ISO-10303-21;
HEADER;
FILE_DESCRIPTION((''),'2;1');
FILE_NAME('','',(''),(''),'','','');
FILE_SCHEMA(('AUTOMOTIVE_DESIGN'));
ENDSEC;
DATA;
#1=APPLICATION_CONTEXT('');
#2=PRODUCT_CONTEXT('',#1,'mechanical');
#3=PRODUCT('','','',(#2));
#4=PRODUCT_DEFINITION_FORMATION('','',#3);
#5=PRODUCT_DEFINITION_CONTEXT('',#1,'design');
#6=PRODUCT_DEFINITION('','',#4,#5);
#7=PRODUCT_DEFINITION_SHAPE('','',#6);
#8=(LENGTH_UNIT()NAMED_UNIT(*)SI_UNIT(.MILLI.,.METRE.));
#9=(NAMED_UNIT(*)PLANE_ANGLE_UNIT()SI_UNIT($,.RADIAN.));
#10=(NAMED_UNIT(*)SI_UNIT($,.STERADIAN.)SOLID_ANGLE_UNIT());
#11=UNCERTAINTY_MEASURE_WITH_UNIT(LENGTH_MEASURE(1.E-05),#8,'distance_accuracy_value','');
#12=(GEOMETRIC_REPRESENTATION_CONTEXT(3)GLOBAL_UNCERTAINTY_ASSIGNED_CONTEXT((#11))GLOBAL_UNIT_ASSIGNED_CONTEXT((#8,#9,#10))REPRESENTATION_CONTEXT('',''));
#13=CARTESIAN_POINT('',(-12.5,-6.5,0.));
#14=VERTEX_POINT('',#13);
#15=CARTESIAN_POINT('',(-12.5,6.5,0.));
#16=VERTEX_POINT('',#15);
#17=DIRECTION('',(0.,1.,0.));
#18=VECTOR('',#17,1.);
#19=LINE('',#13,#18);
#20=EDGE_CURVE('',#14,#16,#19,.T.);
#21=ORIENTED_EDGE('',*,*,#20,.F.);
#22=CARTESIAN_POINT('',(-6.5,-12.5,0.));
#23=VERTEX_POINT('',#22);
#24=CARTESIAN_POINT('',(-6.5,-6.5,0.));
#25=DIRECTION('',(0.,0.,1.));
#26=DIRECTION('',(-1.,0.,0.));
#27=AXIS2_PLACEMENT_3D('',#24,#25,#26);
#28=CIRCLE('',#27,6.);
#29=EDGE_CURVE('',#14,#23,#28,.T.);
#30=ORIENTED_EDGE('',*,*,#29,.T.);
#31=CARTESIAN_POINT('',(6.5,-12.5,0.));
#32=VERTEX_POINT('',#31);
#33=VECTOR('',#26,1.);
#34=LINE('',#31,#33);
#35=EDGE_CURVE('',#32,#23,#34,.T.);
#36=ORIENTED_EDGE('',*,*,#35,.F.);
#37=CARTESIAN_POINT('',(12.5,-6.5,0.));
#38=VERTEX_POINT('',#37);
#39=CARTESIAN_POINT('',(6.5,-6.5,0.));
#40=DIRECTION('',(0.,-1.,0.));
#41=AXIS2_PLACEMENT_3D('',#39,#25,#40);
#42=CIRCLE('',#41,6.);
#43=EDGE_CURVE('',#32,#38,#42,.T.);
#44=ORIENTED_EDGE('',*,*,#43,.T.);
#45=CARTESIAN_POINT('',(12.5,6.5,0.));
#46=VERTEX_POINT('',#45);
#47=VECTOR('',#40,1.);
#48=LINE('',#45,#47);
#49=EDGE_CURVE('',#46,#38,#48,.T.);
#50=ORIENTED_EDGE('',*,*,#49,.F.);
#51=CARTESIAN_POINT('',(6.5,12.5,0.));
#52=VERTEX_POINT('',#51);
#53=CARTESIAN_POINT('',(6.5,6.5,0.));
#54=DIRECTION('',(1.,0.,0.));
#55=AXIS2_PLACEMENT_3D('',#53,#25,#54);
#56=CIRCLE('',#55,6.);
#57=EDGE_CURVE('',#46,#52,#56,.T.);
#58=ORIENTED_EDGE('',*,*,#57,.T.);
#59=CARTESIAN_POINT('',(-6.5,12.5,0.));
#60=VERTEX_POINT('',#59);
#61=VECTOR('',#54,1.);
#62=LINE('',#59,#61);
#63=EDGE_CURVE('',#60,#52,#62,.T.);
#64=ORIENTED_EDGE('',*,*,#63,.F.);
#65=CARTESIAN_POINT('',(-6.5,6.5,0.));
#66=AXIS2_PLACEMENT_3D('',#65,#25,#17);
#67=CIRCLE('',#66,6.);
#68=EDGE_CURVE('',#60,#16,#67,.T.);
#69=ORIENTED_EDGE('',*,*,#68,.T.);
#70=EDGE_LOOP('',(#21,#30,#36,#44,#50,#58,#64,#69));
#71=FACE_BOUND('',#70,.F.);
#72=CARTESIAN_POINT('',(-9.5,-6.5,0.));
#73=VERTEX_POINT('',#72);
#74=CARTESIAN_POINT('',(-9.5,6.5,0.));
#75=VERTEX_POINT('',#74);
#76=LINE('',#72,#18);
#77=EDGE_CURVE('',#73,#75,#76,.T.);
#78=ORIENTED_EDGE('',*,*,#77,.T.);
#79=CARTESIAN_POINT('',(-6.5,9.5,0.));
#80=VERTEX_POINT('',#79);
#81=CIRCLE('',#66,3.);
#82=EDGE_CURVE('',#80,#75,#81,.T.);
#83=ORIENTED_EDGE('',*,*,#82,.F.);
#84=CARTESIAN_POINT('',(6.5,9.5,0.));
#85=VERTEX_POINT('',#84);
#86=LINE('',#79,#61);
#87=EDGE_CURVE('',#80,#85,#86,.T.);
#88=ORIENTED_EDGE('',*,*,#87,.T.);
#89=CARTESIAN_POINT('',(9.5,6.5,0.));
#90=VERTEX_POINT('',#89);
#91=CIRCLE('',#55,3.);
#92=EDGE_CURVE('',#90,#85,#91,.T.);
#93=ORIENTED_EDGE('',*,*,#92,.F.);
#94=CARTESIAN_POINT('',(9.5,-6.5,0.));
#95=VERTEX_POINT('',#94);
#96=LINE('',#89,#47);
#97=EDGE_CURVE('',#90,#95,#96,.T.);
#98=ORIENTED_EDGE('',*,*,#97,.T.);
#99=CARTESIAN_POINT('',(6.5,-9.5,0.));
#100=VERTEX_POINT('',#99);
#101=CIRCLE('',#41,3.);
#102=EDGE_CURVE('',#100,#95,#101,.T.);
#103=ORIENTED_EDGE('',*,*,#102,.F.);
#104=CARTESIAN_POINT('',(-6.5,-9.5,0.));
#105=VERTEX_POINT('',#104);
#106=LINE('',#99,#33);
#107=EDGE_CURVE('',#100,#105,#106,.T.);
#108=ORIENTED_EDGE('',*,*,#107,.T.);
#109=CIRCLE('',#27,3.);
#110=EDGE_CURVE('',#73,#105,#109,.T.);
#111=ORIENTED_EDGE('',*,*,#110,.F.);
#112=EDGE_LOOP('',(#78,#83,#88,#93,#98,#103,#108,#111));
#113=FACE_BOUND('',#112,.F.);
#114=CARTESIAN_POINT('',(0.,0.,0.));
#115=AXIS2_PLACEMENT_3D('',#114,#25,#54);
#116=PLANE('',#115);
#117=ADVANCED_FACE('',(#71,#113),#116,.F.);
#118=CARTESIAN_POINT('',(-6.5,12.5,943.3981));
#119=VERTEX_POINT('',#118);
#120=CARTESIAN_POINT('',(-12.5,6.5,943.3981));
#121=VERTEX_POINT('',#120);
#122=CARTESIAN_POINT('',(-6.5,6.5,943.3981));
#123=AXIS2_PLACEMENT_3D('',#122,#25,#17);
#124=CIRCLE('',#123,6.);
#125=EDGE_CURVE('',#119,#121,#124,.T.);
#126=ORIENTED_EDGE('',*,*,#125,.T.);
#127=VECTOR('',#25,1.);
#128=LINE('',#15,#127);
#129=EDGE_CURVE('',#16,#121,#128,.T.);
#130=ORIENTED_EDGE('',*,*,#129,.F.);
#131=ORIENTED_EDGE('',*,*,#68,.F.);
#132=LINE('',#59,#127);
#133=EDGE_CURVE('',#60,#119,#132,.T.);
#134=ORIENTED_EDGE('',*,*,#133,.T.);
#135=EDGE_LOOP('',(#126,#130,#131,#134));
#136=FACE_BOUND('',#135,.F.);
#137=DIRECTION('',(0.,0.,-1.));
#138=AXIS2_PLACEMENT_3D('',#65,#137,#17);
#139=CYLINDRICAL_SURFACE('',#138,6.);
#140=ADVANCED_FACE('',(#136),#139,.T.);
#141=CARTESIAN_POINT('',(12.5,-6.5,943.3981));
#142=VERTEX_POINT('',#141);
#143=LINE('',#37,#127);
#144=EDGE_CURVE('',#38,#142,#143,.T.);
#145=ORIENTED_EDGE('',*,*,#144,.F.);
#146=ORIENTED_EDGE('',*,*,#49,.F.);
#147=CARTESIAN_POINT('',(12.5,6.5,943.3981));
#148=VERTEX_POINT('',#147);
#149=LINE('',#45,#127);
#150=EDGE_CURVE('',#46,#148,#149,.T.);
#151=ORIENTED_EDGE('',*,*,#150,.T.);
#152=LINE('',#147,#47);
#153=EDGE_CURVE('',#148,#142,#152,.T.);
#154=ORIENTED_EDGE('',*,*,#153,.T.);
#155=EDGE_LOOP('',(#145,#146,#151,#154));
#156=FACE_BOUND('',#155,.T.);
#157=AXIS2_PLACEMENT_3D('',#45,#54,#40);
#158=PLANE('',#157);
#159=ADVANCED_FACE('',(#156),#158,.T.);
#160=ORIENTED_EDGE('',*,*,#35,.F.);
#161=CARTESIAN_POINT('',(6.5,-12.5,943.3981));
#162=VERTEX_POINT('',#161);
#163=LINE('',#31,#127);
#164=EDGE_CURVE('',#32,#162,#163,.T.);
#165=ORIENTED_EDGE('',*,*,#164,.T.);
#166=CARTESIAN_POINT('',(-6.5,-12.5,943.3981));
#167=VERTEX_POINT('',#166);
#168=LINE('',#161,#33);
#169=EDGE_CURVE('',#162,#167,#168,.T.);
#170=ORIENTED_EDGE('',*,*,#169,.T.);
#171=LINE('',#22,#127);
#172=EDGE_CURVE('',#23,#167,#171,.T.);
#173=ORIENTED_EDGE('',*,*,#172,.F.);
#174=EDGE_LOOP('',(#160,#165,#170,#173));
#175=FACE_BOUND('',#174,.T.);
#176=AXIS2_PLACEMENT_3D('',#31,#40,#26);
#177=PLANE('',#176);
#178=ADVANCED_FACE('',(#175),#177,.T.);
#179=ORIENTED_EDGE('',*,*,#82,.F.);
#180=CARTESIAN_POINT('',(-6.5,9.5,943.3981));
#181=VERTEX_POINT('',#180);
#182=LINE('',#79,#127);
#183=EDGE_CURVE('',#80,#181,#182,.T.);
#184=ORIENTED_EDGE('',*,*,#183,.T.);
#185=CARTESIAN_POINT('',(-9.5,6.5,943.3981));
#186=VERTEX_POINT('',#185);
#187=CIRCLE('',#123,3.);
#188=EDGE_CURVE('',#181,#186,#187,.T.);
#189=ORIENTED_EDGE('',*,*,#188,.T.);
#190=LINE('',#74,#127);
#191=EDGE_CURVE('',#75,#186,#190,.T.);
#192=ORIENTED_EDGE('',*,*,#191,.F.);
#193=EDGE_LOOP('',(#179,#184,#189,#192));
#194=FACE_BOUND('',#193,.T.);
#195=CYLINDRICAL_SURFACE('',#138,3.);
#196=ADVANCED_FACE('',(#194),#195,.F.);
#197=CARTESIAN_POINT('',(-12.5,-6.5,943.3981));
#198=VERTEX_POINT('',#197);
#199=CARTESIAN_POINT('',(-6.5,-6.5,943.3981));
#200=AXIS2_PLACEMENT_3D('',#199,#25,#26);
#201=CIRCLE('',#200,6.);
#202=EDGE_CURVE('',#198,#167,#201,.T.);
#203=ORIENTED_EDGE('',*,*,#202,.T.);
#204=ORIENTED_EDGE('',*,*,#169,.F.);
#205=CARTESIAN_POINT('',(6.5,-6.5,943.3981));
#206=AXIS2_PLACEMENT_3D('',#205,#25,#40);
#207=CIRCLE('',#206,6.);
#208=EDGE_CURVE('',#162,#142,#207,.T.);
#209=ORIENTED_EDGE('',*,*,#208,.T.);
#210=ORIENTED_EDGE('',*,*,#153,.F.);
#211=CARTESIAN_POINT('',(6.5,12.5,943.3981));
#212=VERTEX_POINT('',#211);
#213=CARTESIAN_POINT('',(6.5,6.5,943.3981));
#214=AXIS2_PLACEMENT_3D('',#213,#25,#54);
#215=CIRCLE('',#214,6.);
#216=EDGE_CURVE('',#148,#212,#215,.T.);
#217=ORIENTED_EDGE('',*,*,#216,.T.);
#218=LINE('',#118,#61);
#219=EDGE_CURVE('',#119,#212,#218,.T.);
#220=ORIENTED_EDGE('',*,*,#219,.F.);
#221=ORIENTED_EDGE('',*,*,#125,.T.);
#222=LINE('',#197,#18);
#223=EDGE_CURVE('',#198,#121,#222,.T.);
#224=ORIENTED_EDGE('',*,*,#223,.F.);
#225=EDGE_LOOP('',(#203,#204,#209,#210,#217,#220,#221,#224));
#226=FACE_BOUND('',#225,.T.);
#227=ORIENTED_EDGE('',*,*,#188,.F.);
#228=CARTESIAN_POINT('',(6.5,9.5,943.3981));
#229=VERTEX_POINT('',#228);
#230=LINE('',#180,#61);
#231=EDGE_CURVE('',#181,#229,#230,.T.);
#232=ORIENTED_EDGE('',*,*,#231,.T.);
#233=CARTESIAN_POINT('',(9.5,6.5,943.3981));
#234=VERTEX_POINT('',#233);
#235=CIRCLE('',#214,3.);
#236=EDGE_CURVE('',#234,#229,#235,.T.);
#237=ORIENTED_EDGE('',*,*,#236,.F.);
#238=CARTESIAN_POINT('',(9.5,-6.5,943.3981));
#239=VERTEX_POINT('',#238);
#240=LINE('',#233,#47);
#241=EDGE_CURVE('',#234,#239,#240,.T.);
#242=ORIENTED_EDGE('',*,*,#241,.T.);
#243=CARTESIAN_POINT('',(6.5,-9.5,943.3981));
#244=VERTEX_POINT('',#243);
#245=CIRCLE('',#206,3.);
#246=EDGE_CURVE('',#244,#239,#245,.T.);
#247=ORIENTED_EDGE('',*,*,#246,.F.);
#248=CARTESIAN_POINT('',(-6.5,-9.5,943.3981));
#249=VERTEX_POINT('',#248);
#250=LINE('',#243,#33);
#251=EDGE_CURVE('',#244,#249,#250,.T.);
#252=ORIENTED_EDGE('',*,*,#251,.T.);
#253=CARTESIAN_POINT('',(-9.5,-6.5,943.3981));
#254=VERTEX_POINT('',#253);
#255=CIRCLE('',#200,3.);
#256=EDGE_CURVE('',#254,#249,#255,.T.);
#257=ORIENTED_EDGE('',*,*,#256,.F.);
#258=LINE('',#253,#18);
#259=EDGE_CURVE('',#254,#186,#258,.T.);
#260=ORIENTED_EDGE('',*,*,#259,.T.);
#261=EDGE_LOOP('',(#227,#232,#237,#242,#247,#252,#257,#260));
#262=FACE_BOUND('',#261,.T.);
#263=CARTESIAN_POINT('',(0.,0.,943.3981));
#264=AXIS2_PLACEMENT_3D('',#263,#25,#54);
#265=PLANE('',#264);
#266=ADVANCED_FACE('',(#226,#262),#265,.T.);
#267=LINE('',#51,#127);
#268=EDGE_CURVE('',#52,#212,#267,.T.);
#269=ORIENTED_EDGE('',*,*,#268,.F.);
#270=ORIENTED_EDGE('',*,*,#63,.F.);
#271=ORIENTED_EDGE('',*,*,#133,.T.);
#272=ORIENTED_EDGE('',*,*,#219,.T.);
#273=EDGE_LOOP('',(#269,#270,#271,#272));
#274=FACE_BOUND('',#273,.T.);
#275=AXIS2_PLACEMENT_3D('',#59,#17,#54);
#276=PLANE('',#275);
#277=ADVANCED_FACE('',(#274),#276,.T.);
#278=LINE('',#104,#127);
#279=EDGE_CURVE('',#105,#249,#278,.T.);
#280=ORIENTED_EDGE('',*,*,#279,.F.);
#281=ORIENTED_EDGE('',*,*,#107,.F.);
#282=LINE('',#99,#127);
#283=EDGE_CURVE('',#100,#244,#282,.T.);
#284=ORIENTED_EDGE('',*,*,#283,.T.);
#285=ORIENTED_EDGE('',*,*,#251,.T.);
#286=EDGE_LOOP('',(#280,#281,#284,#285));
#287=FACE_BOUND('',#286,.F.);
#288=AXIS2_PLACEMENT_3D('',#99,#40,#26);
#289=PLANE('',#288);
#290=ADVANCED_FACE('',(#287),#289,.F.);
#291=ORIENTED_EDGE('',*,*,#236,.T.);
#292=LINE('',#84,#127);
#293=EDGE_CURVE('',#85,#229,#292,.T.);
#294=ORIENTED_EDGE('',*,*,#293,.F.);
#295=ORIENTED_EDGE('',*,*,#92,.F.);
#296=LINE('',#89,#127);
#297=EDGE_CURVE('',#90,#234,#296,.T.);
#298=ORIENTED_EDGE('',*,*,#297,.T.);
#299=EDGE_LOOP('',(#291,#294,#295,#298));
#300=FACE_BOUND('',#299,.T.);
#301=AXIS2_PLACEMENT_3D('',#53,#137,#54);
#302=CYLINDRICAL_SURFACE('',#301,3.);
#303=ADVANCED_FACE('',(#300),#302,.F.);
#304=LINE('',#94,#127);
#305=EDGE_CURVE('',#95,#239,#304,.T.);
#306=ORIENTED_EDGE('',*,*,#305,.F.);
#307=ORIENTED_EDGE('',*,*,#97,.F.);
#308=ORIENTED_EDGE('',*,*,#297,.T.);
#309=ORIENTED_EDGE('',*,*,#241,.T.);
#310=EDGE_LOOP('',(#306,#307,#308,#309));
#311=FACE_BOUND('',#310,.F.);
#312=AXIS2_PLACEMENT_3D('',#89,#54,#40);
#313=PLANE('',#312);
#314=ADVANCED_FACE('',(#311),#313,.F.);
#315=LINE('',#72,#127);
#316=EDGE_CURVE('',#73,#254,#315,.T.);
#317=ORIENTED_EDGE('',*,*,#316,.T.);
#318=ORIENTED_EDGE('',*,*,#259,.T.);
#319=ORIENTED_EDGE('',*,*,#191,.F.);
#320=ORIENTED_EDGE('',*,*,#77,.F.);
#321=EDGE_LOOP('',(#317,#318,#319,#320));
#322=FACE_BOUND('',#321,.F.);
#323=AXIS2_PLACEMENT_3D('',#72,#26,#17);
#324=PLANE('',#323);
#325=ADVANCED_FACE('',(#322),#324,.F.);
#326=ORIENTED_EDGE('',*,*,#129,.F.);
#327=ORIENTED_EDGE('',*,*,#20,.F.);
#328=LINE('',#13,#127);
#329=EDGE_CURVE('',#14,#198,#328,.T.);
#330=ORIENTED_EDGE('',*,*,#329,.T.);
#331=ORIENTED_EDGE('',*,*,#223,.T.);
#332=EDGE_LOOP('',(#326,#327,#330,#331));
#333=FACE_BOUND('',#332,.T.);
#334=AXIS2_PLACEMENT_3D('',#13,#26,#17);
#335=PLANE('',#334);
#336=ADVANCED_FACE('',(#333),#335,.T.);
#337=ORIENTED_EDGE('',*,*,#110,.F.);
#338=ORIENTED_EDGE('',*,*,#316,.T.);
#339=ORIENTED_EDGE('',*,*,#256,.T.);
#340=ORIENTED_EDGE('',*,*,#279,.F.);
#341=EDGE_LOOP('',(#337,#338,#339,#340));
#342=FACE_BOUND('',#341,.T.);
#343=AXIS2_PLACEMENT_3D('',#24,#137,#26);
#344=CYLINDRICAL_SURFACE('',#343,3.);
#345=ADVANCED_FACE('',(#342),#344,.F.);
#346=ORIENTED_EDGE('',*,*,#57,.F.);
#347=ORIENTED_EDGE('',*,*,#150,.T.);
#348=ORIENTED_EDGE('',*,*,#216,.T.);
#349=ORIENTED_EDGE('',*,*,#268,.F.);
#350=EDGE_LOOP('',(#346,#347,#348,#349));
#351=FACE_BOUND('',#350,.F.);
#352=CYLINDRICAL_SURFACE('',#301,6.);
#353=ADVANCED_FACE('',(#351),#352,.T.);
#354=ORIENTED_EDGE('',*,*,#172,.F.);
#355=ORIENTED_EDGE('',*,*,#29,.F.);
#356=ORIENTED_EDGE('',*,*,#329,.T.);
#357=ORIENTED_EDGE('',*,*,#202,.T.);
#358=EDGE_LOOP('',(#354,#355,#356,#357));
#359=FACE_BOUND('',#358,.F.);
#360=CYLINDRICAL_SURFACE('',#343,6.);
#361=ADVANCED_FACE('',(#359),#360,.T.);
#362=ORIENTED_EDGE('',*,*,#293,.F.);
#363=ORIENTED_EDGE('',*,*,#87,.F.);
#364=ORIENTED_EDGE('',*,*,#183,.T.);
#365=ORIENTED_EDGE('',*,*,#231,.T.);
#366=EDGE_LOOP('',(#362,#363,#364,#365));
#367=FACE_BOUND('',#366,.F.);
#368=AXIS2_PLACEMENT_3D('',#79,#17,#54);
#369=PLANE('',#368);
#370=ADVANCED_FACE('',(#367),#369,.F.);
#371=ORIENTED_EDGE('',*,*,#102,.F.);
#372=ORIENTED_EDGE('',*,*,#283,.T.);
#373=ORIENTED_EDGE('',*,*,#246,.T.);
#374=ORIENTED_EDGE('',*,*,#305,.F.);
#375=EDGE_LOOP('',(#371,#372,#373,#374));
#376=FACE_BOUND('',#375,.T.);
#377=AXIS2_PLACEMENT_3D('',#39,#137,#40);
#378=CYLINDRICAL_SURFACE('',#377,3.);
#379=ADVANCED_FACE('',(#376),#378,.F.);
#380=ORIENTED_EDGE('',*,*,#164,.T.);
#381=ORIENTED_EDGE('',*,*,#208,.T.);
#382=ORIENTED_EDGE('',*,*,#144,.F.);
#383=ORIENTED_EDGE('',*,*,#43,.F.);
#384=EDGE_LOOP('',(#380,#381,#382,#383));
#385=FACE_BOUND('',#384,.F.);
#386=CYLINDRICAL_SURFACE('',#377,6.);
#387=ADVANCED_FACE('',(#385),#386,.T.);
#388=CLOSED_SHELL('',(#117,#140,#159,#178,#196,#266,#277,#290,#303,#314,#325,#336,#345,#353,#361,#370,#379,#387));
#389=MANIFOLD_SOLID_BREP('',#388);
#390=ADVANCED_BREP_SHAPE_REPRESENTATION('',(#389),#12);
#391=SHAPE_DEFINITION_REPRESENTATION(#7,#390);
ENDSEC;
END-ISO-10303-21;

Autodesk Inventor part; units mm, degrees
ref_plane "YZ Plane" through (0, 0, 0) normal (1, 0, 0) x (0, 1, 0)
ref_plane "Start plane" through (0, 0, 0) normal (0, 0, 1) x (1, 0, 0)
ref_plane "End plane" through (0, 0, 943.3981) normal (0, 0, 1) x (1, 0, 0)
sketch "Sketch" plane through (0, 0, 0) normal (0, 0, 1) x (1, 0, 0)
  line L0 (-12.5, -6.5) -> (-12.5, 6.5)
  line L1 (-6.5, 12.5) -> (6.5, 12.5)
  line L2 (12.5, 6.5) -> (12.5, -6.5)
  line L3 (6.5, -12.5) -> (-6.5, -12.5)
  arc A0 (-12.5, -6.5) -> (-6.5, -12.5) centre (-6.5, -6.5) ccw
  arc A1 (-6.5, 12.5) -> (-12.5, 6.5) centre (-6.5, 6.5) ccw
  arc A2 (12.5, 6.5) -> (6.5, 12.5) centre (6.5, 6.5) ccw
  arc A3 (6.5, -12.5) -> (12.5, -6.5) centre (6.5, -6.5) ccw
  arc A4 (-6.5, 9.5) -> (-9.5, 6.5) centre (-6.5, 6.5) ccw
  line L4 (-6.5, 9.5) -> (6.5, 9.5)
  arc A5 (9.5, 6.5) -> (6.5, 9.5) centre (6.5, 6.5) ccw
  line L5 (9.5, 6.5) -> (9.5, -6.5)
  arc A6 (6.5, -9.5) -> (9.5, -6.5) centre (6.5, -6.5) ccw
  line L6 (6.5, -9.5) -> (-6.5, -9.5)
  arc A7 (-9.5, -6.5) -> (-6.5, -9.5) centre (-6.5, -6.5) ccw
  line L7 (-9.5, -6.5) -> (-9.5, 6.5)
  line L8 (0, 19.2397) -> (0, -19.2397) construction
  line L9 (-19.2397, 0) -> (19.2397, 0) construction
  dimension "d7" = 6
  dimension "d10" = 25
  dimension "d11" = 25
  dimension "d12" = 3
  dimension "d15" = 12.5
  dimension "d16" = 12.5
extrude "Body" add sketch "Sketch" along normal up to surface (943.3981 mm away) from surface at 0
sketch "Sketch3" plane through (0, 0, 0) normal (0, 0, 1) x (1, 0, 0)
  line L0 (0, 0) -> (10, 0)
ref_plane "Work Plane3" through (0, 0, 0) normal (0, -1, 0) x (1, 0, 0)
sketch "Sketch4" plane through (0, 0, 0) normal (0, -1, 0) x (1, 0, 0)
  line L0 (-2, 0) -> (12, 0)
  line L1 (-2, 943.3981) -> (12, 943.3981)
  dimension "d18" = 943.3981
equation "\"d7\" = G_IR"
equation "\"d10\" = G_H"
equation "\"d11\" = G_W"
equation "\"d12\" = G_T"
equation "\"d15\" = 0.5 * d10"
equation "\"d16\" = 0.5 * d11"
equation "\"d3\" = G_L"
equation "\"G_W\" = 25"
equation "\"G_H\" = 25"
equation "\"G_T\" = 3"
equation "\"G_IR\" = 6"
equation "\"G_L\" = d18"
equation "\"G_OFFSET_START\" = 0"
equation "\"G_OFFSET_END\" = 0"
equation "\"d14\" = G_OFFSET_END + B_L"
equation "\"B_L\" = 943.39811"
properties part number "AS 1163 - C350L0 25x25x3.0 SHS - 943.398" material "Steel, Mild"
